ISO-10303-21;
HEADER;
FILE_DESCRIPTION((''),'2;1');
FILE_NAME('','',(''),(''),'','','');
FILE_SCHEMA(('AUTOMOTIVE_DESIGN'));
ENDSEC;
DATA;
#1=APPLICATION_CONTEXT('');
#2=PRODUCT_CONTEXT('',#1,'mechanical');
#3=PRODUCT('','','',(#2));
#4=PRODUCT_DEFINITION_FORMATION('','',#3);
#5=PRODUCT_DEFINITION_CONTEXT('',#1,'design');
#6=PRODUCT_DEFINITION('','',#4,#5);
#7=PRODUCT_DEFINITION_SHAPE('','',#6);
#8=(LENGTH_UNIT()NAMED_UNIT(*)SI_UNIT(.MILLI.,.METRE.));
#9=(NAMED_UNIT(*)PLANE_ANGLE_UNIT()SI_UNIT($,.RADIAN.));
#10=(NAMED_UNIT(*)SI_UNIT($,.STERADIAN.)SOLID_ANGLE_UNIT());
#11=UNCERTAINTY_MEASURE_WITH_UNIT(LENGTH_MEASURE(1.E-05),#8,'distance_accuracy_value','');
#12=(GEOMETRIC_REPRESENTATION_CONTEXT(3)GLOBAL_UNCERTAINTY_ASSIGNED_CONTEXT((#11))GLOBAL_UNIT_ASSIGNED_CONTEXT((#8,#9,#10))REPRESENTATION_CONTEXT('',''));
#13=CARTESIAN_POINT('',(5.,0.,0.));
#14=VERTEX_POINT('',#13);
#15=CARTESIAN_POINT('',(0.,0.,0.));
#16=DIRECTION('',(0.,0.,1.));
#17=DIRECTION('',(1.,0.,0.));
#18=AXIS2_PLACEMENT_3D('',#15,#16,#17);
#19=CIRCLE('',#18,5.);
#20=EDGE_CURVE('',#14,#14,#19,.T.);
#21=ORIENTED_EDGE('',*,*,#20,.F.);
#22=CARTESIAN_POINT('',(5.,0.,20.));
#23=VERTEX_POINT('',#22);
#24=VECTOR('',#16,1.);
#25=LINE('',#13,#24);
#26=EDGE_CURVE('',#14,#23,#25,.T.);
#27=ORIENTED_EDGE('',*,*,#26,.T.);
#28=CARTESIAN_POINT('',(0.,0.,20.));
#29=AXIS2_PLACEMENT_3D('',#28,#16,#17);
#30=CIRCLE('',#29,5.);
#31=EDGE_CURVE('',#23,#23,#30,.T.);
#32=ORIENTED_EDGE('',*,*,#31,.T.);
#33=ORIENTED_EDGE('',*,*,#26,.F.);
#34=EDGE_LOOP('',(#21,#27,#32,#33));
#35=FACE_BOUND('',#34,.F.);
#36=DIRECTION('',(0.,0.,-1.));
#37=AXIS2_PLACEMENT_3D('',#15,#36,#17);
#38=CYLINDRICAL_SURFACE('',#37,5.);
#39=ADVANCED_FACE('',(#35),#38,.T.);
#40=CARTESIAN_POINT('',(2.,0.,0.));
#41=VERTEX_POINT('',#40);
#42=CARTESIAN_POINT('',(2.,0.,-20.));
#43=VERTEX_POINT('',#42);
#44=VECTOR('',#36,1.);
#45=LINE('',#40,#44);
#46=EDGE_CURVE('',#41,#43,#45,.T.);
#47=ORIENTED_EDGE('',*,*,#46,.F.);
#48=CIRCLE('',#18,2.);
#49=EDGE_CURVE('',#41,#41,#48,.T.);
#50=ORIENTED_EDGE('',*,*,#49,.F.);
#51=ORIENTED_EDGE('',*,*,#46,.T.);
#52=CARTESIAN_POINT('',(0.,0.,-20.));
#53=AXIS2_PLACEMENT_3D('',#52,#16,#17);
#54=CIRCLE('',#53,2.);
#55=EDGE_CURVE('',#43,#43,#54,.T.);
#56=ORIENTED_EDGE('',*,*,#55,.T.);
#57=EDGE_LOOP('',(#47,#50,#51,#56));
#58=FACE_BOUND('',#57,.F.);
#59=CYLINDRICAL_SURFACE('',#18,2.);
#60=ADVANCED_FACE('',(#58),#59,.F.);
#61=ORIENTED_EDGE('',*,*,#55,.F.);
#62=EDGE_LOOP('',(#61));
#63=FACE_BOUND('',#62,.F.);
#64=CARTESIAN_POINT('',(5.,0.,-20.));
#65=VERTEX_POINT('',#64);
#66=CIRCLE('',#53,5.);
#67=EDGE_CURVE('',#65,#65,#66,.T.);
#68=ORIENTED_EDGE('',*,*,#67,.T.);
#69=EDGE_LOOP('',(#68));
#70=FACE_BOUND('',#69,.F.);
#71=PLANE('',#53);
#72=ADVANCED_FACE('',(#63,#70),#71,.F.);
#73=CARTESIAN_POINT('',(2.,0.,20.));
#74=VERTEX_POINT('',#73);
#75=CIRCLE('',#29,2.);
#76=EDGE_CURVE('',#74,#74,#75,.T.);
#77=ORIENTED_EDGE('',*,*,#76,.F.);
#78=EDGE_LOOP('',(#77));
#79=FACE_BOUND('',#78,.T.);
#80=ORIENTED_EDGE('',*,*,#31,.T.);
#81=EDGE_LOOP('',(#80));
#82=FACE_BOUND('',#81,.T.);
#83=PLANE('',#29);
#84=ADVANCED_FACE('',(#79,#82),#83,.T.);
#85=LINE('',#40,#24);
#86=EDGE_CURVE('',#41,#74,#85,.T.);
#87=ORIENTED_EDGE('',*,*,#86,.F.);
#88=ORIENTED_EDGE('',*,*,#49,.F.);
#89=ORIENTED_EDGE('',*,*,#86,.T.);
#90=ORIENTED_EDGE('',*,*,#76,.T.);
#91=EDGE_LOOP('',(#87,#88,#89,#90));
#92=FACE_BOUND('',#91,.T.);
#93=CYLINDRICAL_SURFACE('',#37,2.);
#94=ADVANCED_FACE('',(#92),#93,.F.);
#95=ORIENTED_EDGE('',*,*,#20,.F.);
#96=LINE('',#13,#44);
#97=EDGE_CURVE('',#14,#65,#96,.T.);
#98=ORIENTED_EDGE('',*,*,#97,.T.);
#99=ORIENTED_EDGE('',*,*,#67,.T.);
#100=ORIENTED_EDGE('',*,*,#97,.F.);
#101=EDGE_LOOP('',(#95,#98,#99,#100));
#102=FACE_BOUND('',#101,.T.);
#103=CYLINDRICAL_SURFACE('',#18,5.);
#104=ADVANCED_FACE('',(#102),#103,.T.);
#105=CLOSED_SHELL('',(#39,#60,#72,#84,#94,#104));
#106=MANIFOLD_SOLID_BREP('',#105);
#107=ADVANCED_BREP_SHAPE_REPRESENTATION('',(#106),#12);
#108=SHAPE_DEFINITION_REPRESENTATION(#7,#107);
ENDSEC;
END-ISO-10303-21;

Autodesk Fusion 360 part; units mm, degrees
sketch "Sketch1" plane through (0, 0, 0) normal (0, 0, 1) x (1, 0, 0)
  circle A0 centre (0, 0) radius 5
  circle A1 centre (0, 0) radius 2
  dimension "d1" = 10
  dimension "d2" = 4
extrude "Extrude1" add sketch "Sketch1" along normal mid plane 40
thread "Thread1"
